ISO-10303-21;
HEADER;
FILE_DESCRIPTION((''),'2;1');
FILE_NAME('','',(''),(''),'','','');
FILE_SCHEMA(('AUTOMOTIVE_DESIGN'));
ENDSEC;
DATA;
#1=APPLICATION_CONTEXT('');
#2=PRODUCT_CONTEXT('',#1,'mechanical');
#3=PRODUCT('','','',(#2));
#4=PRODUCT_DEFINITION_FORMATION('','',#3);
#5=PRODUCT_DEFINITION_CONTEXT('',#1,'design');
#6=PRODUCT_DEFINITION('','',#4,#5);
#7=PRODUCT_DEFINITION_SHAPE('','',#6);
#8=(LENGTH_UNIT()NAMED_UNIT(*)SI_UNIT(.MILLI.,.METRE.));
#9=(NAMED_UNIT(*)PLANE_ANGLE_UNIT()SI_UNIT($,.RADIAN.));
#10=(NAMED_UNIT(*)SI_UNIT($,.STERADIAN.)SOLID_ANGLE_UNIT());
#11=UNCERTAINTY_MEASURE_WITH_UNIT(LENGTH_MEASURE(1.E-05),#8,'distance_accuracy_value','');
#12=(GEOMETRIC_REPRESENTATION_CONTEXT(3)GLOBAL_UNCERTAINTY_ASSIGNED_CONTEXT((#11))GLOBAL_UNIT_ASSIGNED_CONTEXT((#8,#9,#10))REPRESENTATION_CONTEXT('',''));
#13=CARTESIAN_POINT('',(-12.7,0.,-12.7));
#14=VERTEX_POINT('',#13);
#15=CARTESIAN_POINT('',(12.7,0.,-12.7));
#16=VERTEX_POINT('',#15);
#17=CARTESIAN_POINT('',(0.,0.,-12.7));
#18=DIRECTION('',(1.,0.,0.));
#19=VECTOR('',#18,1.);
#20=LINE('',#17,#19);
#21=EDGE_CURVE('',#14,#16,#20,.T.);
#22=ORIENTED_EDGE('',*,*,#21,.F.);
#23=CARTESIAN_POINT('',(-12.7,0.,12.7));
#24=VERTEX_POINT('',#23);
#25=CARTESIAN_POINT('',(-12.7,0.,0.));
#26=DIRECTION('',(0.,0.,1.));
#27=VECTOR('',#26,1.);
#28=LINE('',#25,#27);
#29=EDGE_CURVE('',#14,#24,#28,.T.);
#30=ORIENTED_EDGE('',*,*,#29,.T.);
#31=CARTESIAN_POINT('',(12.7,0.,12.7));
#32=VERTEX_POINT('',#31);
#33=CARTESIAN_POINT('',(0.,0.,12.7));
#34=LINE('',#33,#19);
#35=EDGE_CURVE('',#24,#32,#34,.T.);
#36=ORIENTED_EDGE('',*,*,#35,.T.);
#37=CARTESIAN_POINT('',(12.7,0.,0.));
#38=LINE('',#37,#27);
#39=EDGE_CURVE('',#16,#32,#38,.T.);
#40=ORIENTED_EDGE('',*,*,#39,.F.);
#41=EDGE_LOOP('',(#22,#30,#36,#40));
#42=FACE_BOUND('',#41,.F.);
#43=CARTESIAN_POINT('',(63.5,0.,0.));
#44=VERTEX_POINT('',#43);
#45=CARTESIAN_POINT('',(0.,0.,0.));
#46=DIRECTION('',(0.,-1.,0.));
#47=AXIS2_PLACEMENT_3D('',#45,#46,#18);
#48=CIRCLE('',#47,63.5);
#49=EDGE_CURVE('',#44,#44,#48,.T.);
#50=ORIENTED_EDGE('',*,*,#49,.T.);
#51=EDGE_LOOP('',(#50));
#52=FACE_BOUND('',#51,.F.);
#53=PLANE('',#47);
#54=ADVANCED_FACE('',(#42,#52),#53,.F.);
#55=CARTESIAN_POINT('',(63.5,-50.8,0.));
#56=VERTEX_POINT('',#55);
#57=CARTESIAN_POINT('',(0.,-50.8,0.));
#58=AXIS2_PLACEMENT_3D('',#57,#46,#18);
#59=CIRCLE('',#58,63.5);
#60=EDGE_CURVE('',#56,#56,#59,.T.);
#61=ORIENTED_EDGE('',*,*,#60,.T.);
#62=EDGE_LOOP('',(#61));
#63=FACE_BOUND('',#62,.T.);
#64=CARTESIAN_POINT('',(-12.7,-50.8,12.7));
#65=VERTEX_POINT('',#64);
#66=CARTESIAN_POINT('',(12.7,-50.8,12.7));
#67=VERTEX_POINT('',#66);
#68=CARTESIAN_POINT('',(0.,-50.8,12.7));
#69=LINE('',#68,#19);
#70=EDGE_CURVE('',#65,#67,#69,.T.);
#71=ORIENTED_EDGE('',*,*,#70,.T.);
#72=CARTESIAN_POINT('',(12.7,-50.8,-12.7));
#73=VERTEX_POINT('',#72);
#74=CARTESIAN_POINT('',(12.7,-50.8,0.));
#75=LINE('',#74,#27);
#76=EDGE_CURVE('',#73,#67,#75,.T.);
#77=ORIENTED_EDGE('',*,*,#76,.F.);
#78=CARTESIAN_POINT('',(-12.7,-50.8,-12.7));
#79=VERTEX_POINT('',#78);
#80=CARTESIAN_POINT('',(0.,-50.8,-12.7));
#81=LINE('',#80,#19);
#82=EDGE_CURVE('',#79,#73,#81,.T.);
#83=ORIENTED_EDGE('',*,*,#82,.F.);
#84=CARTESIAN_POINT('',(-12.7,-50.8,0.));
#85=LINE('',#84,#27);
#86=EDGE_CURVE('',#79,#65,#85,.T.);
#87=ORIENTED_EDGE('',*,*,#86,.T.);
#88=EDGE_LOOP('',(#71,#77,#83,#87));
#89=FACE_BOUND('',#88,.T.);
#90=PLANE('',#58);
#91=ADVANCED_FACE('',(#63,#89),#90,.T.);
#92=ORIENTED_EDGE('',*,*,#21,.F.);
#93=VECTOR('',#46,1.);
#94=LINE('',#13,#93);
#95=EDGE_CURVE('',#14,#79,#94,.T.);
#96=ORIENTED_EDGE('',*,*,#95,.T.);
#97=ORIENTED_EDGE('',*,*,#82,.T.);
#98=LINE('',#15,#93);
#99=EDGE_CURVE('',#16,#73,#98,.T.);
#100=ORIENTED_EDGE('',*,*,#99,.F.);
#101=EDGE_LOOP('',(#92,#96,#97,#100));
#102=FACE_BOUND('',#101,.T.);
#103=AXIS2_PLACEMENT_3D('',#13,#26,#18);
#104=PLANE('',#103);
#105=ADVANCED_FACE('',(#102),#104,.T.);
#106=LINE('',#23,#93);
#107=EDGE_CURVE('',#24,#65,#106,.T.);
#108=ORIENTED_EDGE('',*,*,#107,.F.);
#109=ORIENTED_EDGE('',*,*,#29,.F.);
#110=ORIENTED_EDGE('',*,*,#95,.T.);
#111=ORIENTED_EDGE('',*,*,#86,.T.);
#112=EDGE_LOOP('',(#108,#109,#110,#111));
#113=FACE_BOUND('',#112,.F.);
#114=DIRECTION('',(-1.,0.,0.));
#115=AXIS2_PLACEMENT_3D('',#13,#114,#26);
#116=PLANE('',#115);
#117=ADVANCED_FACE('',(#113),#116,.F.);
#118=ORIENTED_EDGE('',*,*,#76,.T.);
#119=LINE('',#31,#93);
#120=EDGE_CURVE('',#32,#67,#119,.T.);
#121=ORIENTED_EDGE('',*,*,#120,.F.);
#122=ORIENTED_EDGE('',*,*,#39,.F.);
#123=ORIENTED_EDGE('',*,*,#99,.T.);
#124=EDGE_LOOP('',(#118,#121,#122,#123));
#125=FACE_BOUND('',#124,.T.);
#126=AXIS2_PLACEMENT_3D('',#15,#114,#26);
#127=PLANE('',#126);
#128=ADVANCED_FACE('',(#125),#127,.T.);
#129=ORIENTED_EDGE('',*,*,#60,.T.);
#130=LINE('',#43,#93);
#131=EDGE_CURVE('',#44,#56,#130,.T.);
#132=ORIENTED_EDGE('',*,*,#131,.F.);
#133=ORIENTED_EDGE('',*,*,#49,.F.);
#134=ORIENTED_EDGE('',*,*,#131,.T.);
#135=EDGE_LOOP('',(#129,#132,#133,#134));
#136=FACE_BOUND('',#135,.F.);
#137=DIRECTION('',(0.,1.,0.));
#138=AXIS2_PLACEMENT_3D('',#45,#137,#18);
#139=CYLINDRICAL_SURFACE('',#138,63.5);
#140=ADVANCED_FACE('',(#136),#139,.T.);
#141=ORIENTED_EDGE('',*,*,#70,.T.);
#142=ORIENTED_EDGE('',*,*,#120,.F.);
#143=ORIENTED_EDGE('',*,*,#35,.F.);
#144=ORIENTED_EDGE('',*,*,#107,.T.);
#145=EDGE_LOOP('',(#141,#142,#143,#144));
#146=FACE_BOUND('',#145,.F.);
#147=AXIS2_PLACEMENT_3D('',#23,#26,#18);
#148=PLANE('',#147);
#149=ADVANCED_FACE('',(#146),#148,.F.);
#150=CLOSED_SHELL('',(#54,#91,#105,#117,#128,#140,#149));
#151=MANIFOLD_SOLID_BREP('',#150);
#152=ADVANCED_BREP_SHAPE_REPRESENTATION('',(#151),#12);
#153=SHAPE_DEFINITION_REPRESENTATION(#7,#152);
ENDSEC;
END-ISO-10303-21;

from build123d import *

# Parameters (mm, degrees)
F0_R     = 63.5
F0_W     = 25.4
F0_H     = 25.4
F1_DEPTH = 50.8


with BuildPart() as f1:
    # F0 (on Front) → F1 (new body)
    with BuildSketch(Plane.XZ):
        Circle(F0_R)
        Rectangle(F0_W, F0_H, mode=Mode.SUBTRACT)
    extrude(amount=F1_DEPTH)


solid = f1.part
